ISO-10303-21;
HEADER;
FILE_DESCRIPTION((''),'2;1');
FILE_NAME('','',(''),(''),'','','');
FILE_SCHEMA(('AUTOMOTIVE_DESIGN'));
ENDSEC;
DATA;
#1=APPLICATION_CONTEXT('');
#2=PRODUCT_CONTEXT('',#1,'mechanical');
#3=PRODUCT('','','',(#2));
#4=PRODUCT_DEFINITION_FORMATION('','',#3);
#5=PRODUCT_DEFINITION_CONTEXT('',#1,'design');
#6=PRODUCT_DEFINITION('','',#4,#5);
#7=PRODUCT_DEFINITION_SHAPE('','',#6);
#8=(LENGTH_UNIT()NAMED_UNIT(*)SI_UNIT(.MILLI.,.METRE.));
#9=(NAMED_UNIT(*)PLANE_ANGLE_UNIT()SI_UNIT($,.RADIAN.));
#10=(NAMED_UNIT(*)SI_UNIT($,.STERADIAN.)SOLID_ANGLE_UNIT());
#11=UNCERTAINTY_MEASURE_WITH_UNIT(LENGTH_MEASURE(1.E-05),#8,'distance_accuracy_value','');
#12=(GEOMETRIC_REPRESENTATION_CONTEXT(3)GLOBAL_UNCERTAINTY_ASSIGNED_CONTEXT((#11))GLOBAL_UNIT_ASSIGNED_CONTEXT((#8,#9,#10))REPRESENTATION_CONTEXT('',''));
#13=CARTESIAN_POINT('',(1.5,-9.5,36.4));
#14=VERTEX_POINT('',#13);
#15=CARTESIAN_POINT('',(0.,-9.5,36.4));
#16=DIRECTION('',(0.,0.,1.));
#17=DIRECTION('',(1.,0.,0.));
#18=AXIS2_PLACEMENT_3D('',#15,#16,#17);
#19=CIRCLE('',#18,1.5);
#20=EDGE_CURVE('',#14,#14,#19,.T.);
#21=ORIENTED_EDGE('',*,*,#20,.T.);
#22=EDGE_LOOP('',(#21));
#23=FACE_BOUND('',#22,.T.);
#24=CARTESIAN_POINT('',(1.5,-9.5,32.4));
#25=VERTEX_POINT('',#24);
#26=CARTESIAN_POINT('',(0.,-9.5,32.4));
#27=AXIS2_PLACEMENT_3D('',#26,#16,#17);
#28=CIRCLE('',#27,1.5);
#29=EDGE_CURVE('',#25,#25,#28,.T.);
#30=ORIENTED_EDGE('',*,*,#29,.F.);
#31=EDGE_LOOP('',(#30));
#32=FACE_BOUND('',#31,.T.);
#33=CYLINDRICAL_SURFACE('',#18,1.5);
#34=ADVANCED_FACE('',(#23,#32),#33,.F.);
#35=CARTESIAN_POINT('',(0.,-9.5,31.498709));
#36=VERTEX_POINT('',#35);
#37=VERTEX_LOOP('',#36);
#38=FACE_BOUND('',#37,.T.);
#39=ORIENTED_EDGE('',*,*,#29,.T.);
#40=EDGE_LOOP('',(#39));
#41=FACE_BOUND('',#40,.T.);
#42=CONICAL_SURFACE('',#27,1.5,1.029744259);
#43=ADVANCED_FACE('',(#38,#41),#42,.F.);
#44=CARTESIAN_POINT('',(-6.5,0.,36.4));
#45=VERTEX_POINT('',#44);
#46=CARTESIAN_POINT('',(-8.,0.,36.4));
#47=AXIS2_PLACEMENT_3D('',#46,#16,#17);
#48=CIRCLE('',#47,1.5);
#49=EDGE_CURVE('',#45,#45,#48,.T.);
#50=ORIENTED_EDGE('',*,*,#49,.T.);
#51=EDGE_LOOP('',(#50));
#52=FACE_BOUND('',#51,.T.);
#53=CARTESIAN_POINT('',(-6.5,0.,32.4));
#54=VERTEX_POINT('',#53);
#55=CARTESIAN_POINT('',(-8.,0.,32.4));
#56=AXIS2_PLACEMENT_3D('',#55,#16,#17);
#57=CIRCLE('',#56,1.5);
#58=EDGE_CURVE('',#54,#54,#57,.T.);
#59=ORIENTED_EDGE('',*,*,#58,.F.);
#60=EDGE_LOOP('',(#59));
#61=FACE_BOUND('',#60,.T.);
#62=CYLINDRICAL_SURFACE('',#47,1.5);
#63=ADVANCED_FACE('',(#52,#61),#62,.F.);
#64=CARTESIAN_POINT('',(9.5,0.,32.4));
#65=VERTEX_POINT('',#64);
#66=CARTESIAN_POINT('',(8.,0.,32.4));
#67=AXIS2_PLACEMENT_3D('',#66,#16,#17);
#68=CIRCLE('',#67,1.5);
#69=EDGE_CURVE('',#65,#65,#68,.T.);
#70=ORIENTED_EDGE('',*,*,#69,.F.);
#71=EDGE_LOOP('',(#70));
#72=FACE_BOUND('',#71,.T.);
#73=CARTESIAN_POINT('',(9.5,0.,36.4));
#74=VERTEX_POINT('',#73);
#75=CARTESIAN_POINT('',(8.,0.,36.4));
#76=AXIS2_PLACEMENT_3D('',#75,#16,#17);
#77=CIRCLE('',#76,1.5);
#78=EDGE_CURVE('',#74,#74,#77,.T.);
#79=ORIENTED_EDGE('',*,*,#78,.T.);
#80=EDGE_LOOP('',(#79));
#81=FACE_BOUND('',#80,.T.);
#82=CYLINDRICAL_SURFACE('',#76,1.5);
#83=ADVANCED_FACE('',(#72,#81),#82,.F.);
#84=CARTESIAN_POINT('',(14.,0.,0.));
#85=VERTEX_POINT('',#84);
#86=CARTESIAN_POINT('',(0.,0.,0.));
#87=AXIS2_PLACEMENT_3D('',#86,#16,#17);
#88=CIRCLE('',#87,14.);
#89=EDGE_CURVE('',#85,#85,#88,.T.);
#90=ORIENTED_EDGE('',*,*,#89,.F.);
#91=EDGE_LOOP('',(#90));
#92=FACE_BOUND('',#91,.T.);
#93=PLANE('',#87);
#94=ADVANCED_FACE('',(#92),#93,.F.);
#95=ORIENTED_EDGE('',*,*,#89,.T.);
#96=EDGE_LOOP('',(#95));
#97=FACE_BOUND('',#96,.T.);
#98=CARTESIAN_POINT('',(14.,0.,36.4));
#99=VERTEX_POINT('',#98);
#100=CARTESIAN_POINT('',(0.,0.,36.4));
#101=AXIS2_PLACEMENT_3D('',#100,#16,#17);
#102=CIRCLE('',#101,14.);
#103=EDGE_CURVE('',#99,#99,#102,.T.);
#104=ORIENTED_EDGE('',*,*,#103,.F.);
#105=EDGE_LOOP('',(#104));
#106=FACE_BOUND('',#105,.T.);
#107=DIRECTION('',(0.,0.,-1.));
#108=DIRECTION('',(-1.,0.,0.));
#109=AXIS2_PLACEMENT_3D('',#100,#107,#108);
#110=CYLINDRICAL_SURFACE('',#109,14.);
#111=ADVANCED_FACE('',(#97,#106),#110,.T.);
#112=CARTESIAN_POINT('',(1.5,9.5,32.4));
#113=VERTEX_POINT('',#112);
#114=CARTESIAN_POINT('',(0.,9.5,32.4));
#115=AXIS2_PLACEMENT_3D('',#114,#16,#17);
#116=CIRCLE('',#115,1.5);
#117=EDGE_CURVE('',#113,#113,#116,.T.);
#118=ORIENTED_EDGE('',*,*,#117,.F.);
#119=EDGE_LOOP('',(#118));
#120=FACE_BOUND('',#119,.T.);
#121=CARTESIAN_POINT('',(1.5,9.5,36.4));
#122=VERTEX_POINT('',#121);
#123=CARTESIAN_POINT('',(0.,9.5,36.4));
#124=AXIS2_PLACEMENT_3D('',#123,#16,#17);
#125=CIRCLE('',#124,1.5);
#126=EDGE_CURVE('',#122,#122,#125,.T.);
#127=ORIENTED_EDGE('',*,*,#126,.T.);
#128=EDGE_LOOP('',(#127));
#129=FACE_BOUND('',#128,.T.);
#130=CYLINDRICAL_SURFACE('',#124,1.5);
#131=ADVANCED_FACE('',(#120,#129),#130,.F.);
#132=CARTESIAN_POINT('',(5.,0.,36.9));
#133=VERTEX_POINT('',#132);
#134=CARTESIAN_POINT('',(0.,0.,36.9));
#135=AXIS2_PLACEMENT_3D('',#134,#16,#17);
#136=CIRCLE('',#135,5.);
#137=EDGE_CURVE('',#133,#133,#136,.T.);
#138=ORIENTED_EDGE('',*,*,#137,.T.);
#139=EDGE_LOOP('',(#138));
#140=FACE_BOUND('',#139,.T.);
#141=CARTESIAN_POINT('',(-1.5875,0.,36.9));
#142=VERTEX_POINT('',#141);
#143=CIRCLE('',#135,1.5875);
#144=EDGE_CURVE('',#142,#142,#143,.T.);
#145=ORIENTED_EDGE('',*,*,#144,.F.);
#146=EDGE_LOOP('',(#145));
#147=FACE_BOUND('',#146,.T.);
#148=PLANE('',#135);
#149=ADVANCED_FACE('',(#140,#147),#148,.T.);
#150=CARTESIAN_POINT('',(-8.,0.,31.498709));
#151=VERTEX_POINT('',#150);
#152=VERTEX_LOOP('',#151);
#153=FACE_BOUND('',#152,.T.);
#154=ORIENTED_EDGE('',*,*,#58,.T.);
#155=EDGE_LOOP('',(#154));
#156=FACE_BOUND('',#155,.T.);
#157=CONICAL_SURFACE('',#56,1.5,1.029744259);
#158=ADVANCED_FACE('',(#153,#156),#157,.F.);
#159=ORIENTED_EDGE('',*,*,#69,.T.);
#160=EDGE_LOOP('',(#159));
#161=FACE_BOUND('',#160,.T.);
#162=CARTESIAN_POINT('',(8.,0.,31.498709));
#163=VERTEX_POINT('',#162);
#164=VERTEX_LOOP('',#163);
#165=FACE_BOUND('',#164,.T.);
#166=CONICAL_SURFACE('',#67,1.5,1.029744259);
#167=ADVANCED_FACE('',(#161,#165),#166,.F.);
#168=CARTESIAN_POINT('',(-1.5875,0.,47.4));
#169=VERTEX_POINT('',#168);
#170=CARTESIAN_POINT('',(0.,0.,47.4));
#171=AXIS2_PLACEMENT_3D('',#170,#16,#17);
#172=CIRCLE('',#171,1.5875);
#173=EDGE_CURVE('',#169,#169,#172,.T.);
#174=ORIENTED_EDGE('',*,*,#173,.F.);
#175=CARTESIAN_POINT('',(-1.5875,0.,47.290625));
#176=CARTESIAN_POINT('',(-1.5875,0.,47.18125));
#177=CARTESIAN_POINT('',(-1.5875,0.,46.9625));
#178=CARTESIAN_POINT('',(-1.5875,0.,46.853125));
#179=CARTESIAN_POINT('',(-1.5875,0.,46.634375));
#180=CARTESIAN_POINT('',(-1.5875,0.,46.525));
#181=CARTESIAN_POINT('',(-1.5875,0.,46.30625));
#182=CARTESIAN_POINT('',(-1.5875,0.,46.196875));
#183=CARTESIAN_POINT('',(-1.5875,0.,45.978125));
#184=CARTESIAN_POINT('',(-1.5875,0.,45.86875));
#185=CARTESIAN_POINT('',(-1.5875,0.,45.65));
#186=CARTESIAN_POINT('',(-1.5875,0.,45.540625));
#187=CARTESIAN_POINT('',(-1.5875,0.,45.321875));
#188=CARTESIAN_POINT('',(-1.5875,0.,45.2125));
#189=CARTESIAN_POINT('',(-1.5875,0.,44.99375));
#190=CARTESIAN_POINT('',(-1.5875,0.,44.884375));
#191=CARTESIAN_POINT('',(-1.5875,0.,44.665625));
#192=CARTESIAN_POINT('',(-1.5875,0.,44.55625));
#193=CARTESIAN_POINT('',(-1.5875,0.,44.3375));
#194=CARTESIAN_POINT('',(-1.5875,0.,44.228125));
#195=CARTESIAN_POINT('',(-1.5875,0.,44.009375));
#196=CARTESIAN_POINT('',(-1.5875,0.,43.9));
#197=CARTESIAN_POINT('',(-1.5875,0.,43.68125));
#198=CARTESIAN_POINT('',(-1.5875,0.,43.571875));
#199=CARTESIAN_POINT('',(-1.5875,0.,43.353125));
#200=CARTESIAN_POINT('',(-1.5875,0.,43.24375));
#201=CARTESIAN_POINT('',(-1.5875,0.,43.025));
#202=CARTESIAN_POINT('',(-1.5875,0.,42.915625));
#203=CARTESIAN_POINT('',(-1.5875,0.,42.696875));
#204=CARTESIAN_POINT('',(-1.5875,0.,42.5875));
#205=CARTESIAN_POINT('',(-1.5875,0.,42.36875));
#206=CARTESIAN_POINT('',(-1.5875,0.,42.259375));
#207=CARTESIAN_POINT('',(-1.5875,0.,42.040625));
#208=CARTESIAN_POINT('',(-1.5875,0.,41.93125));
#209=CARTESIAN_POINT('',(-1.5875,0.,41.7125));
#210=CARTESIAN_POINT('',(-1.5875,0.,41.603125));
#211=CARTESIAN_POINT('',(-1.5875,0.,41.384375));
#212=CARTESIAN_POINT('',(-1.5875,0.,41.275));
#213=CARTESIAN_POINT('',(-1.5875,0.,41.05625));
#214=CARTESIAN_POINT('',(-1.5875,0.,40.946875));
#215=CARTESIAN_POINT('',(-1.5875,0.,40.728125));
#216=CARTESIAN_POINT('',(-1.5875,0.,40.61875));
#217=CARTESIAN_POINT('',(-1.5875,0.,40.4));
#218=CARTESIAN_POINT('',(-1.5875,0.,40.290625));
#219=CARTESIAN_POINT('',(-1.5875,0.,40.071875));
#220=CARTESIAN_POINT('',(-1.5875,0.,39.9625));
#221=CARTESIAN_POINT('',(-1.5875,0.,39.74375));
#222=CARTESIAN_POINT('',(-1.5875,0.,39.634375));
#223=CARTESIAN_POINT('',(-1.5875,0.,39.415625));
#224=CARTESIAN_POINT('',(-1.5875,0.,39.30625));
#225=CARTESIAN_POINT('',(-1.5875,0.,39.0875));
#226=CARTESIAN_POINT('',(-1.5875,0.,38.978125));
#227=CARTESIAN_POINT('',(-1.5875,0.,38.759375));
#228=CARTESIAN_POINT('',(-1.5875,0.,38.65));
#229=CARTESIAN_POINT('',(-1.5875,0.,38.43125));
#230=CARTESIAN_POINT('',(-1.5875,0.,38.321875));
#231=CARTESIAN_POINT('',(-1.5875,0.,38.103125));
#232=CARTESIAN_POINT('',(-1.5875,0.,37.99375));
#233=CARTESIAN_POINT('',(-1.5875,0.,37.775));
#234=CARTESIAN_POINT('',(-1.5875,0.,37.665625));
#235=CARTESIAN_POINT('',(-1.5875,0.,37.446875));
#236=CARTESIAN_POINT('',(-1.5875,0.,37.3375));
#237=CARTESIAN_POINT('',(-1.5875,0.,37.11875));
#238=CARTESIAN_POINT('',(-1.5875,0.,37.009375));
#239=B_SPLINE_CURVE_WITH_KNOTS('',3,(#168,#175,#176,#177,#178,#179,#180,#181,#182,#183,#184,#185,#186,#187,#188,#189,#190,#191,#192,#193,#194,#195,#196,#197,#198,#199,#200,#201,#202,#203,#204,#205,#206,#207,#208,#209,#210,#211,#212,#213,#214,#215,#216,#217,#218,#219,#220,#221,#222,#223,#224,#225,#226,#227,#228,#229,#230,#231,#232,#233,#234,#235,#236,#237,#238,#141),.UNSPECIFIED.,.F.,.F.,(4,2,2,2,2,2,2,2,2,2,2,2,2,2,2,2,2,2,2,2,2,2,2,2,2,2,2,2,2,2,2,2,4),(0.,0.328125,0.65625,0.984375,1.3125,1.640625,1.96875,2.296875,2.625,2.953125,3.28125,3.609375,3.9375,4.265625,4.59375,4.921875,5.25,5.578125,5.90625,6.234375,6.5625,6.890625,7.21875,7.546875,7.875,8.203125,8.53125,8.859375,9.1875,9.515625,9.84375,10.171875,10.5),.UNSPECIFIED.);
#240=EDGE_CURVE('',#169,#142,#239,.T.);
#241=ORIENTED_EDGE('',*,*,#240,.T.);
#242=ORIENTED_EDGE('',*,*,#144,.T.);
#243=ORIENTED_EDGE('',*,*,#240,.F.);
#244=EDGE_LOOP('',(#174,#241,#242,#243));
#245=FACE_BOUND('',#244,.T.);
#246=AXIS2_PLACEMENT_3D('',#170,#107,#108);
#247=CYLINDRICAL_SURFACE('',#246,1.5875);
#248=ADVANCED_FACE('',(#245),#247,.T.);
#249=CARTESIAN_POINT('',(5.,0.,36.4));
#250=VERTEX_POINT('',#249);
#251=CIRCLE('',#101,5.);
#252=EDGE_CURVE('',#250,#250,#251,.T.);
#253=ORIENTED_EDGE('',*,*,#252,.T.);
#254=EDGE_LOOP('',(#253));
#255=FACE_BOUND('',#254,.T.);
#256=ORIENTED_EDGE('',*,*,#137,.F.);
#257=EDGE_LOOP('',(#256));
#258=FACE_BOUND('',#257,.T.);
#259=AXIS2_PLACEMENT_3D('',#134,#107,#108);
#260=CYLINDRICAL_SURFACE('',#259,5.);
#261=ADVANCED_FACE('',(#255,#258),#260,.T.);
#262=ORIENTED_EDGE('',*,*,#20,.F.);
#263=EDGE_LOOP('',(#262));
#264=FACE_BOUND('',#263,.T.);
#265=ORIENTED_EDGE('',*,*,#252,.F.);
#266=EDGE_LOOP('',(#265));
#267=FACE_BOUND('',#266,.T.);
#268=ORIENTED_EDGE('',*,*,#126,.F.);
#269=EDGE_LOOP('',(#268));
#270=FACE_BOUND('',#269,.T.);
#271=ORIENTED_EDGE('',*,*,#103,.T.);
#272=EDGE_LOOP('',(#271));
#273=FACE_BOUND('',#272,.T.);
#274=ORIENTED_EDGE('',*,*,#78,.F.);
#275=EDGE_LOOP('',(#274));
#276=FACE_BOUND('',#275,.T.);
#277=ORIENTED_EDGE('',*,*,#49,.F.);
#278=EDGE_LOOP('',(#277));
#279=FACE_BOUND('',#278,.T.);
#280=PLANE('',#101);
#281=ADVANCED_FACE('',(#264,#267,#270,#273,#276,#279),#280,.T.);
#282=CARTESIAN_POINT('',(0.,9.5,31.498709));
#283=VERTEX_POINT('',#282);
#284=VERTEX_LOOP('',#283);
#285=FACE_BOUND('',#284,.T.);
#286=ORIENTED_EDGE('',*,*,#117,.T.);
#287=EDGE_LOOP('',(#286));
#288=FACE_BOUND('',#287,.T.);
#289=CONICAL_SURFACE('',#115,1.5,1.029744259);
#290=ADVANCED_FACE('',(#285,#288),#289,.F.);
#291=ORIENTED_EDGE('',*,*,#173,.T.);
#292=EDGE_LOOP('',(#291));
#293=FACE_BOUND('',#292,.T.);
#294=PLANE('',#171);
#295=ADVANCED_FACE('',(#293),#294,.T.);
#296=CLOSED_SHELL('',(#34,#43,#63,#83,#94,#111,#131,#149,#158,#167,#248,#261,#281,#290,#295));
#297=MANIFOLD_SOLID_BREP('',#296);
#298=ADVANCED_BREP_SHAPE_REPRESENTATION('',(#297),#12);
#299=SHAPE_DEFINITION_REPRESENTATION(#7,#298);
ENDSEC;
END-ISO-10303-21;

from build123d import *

# Parameters (mm, degrees)
SKETCH1_R                    = 14
BOSS_EXTRUDE1_DEPTH          = 36.4
SKETCH2_R                    = 5
BOSS_EXTRUDE2_DEPTH          = 0.5
SKETCH3_R                    = 1.5875
BOSS_EXTRUDE3_DEPTH          = 10.5
F_3_0_3_DIAMETER_HOLE1_D     = 3
F_3_0_3_DIAMETER_HOLE1_DEPTH = 4
F_3_0_3_DIAMETER_HOLE1_TIP   = 0.901290929


with BuildPart() as part:
    # Sketch1 → Boss-Extrude1 (new body)
    with BuildSketch(Plane.XY):
        Circle(SKETCH1_R)
    extrude(amount=BOSS_EXTRUDE1_DEPTH)

    # Sketch2 → Boss-Extrude2 (add)
    with BuildSketch(Plane.XY.offset(36.4)):
        Circle(SKETCH2_R)
    extrude(amount=BOSS_EXTRUDE2_DEPTH)

    # Sketch3 → Boss-Extrude3 (add)
    with BuildSketch(Plane.XY.offset(36.9)):
        with Locations(Location((0, 0, 0), (0, 0, 180))):
            Circle(SKETCH3_R)
    extrude(amount=BOSS_EXTRUDE3_DEPTH)

    # Ø3.0 (3) Diameter Hole1
    with Locations(Plane.XY.offset(36.4)):
        with Locations((0, 9.5), (0, -9.5), (8, 0), (-8, 0)):
            Hole(F_3_0_3_DIAMETER_HOLE1_D / 2, depth=F_3_0_3_DIAMETER_HOLE1_DEPTH)
            with Locations((0, 0, -(F_3_0_3_DIAMETER_HOLE1_DEPTH + F_3_0_3_DIAMETER_HOLE1_TIP / 2))):  # 118° drill point
                Cone(0, F_3_0_3_DIAMETER_HOLE1_D / 2, F_3_0_3_DIAMETER_HOLE1_TIP, mode=Mode.SUBTRACT)


solid = part.part
